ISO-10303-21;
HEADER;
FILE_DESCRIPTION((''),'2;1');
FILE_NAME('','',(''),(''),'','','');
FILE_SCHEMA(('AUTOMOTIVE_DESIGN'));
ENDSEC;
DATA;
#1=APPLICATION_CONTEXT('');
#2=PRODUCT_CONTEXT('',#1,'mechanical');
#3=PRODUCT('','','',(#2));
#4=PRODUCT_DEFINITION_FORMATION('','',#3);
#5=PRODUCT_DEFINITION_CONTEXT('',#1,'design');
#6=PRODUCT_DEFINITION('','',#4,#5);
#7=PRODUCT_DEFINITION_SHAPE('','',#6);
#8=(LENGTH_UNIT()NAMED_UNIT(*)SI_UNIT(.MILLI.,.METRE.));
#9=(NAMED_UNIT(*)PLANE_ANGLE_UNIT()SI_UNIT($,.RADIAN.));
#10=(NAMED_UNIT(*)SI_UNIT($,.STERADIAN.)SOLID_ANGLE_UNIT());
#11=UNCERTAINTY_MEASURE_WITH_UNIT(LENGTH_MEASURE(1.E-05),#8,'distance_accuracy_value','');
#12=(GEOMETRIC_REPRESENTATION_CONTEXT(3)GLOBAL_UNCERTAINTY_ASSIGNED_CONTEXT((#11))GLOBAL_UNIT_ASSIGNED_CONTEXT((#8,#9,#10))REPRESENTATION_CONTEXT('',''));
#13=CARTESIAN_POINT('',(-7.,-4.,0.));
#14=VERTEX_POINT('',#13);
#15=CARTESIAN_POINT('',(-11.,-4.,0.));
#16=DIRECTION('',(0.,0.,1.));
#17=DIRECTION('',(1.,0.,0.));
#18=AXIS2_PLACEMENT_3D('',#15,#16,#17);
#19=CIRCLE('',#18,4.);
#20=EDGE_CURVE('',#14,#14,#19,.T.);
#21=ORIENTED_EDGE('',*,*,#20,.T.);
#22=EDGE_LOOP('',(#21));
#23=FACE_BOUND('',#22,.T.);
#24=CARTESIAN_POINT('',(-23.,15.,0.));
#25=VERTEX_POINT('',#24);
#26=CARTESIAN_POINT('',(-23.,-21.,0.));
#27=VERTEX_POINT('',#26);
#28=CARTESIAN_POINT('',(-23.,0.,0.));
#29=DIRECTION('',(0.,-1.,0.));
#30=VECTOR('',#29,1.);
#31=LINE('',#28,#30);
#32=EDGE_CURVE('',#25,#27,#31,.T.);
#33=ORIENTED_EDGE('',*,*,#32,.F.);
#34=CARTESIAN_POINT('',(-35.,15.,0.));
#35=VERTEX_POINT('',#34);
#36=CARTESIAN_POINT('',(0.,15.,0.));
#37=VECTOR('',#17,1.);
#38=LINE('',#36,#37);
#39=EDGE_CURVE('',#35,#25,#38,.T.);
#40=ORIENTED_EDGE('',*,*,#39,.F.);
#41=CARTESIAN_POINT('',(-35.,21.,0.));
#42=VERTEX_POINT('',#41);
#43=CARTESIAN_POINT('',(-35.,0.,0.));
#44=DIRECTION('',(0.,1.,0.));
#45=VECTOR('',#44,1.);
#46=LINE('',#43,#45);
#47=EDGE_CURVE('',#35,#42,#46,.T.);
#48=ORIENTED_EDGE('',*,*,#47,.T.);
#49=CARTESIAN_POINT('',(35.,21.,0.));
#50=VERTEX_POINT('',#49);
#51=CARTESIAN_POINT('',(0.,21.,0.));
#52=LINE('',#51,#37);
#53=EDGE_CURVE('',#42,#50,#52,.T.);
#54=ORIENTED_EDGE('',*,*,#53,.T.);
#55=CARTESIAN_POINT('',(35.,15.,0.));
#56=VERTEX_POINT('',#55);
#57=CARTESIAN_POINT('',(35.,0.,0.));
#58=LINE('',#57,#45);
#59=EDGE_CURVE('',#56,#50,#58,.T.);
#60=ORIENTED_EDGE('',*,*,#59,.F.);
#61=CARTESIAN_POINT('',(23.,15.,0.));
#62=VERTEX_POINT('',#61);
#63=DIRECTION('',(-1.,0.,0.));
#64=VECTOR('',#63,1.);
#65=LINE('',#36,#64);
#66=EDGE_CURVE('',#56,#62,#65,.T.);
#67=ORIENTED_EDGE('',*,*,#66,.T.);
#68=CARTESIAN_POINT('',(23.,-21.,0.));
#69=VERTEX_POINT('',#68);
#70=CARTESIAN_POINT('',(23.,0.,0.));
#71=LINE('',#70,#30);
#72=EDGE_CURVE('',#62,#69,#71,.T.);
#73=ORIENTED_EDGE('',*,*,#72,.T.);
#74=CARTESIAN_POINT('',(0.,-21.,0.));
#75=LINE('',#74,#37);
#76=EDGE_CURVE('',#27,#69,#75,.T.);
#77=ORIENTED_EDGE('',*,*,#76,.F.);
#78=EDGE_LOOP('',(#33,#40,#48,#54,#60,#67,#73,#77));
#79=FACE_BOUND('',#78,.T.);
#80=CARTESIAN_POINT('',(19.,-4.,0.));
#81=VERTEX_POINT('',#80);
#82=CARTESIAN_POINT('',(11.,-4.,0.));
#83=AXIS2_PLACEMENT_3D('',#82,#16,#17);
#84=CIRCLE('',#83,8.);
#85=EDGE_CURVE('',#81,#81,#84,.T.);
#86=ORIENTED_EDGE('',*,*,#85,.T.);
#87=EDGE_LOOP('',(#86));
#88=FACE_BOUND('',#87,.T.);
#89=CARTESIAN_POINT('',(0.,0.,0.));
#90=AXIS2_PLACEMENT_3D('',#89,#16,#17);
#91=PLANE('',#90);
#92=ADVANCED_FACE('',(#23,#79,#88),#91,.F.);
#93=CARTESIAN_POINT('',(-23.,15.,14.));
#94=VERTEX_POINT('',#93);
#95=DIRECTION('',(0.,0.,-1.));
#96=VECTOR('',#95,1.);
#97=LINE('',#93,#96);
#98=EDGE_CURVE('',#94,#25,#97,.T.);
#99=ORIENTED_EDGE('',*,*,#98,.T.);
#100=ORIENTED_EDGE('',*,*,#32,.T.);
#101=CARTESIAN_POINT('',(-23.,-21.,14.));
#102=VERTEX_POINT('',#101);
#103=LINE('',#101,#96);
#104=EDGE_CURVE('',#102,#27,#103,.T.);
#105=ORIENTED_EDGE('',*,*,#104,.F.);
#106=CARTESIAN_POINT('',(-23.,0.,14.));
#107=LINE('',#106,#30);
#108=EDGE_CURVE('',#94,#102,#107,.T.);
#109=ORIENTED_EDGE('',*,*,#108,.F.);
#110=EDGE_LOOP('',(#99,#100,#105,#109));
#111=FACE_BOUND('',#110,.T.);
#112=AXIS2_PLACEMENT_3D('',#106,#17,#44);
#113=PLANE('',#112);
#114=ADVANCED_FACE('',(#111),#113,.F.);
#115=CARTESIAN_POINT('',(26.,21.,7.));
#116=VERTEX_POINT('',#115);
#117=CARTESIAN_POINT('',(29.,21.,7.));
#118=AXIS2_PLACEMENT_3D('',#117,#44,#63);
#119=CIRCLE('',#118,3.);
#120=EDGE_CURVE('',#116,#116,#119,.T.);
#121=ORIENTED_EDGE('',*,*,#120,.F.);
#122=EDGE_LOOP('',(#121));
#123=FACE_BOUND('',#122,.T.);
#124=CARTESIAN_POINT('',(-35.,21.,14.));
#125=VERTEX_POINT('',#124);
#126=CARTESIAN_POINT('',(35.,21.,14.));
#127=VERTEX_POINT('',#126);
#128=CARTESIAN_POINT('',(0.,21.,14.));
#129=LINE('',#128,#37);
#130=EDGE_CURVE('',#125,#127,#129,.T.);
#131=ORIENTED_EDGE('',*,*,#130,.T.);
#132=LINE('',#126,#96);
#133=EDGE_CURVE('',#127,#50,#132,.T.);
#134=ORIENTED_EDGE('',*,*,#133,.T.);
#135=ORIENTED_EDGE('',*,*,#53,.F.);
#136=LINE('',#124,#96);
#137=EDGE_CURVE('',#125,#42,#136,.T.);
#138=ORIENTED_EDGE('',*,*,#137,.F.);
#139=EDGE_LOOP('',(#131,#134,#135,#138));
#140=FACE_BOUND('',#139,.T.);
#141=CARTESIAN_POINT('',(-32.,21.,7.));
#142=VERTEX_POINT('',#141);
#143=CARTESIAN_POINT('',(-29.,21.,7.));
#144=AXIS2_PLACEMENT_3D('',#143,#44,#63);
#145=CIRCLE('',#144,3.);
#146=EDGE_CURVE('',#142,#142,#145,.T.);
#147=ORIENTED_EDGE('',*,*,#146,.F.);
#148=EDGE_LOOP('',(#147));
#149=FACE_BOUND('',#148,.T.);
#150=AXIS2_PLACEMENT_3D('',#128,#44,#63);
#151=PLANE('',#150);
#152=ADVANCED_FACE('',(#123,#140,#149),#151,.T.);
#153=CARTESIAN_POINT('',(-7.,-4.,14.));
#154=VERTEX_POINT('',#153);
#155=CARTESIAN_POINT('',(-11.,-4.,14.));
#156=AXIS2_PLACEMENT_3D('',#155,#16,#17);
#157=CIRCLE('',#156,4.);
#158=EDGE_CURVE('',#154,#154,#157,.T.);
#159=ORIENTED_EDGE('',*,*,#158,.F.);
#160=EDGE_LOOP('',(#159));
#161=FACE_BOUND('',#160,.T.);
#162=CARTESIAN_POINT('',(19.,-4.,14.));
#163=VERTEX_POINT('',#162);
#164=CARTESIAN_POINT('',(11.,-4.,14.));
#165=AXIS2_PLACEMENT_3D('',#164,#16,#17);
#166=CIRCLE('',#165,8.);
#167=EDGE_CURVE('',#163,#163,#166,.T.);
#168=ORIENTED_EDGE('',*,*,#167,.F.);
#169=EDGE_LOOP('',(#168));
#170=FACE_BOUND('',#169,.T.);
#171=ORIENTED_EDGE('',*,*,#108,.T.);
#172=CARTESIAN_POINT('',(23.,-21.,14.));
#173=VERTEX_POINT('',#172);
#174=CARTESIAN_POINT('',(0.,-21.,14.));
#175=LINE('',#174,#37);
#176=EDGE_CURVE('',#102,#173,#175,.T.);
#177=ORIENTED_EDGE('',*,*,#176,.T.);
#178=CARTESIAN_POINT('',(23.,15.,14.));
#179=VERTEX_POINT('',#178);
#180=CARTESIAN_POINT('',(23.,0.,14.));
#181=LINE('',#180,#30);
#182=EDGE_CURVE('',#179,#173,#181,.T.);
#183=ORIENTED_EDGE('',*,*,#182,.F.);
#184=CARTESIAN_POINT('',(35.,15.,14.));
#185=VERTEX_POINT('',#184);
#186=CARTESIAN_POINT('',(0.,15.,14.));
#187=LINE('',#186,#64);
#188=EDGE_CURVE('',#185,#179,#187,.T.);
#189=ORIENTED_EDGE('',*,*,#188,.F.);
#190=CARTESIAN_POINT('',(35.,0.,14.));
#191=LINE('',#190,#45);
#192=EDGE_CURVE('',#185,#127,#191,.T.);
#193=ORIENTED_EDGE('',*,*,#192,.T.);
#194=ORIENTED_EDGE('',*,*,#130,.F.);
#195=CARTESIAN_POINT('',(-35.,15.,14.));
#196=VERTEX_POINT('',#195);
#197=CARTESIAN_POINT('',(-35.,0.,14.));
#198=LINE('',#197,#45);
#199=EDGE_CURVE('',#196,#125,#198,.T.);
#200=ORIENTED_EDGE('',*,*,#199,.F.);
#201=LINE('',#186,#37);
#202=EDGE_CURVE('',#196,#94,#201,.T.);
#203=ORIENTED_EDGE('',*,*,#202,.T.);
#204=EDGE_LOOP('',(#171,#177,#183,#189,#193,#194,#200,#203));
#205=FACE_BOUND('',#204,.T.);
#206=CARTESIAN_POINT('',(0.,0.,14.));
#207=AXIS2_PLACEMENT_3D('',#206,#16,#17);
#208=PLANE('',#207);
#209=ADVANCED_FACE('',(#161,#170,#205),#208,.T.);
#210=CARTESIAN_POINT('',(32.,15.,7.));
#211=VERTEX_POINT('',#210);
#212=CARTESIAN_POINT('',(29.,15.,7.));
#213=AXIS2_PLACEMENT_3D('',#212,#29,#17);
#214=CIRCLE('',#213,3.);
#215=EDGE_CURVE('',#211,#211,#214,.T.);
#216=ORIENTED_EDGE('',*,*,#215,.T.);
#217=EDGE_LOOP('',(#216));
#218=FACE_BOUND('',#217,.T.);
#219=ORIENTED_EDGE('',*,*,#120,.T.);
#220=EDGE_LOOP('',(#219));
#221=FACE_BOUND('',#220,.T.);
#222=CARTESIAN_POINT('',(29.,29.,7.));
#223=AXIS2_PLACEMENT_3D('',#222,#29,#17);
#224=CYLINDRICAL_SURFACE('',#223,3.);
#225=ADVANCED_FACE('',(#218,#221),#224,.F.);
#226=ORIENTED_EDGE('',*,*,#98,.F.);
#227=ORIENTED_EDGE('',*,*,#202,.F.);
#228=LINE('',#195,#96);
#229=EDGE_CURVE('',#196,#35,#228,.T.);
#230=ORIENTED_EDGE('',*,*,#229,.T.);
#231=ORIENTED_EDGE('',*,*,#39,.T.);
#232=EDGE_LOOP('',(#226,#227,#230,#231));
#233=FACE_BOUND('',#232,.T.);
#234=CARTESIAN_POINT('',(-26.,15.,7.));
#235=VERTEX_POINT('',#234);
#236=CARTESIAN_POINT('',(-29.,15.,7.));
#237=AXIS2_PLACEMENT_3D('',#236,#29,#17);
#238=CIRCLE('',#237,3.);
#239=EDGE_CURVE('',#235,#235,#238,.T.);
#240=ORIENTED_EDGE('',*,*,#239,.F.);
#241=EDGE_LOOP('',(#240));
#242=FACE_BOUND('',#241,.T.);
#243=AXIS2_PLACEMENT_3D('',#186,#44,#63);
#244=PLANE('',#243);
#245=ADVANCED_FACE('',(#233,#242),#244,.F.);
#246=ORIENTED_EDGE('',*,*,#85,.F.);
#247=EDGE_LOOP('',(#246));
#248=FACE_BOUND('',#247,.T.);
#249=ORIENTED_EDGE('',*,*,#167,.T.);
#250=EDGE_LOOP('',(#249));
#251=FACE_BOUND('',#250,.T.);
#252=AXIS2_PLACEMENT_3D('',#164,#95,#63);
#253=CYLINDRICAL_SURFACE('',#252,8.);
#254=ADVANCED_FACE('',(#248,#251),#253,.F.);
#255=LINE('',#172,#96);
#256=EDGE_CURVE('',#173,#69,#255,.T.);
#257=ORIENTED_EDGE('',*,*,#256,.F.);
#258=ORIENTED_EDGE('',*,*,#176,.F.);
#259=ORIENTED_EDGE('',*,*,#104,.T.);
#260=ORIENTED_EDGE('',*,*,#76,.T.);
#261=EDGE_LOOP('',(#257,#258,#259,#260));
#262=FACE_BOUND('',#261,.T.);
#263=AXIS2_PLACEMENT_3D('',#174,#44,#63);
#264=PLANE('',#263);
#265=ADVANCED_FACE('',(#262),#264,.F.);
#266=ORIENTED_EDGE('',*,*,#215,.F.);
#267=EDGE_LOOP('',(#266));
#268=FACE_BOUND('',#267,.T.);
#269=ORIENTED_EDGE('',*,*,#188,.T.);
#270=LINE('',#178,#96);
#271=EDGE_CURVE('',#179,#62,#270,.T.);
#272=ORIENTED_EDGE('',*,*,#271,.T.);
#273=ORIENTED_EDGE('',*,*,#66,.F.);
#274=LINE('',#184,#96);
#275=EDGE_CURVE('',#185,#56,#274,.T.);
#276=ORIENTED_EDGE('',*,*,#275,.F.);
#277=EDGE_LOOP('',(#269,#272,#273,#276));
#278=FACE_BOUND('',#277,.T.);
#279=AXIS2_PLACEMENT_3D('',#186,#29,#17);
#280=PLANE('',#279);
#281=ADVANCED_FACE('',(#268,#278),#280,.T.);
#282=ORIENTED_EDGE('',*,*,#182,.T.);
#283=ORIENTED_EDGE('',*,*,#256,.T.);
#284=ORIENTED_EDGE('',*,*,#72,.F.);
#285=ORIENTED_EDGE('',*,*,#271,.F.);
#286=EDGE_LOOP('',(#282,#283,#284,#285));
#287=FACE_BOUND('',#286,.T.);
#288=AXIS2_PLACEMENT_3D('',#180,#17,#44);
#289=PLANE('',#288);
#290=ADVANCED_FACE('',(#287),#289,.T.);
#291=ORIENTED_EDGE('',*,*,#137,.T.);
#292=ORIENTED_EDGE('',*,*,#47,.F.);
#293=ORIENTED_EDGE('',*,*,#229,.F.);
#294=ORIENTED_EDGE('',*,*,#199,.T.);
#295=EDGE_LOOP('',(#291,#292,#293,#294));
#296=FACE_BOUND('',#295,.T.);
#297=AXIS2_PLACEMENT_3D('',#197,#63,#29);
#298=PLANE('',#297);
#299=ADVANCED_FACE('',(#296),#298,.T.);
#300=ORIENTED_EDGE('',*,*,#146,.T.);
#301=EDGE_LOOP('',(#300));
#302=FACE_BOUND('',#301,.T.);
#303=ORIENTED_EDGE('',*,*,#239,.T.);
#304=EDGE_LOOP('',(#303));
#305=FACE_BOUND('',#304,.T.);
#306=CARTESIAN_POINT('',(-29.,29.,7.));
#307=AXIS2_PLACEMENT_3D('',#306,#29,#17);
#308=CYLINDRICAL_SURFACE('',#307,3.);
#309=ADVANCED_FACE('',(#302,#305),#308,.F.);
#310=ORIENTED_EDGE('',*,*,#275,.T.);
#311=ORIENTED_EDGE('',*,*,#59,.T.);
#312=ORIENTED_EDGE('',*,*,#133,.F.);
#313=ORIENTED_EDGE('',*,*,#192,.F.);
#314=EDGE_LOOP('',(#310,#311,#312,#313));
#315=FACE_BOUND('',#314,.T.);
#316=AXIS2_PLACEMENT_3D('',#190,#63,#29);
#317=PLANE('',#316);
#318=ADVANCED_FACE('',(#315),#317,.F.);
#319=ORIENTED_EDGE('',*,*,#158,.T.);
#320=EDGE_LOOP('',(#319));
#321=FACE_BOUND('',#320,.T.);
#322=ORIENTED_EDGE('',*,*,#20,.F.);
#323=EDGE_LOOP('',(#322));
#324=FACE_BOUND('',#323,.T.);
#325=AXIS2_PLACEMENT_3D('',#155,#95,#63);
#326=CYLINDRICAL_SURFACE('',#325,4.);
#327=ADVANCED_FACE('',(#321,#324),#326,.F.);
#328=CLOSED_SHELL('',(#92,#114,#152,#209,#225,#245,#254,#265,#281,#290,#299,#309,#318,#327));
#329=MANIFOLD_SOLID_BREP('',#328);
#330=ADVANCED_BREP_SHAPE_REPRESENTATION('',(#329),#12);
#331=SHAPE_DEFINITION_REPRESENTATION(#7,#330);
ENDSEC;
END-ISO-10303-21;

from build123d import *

# Parameters (mm, degrees)
SKETCH_1_R          = 4
SKETCH_1_R_2        = 8
EXTRUDE_1_DEPTH     = 14
SKETCH_2_R          = 3
CUT_EXTRUDE_1_DEPTH = 14


with BuildPart() as part:
    # 草图1 → 凸台-拉伸1 (new body)
    with BuildSketch(Plane.XY):
        Polygon((-35, 21), (-35, 15), (-23, 15), (-23, -21), (23, -21), (23, 15), (35, 15), (35, 21), align=None)
        with Locations((-11, -4)):
            Circle(SKETCH_1_R, mode=Mode.SUBTRACT)
        with Locations((11, -4)):
            Circle(SKETCH_1_R_2, mode=Mode.SUBTRACT)
    extrude(amount=EXTRUDE_1_DEPTH)

    # 草图2 → 切除-拉伸1 (cut)
    with BuildSketch(Plane.XZ.offset(-15)):
        with Locations((-29, 7)):
            Circle(SKETCH_2_R)
        with Locations((29, 7)):
            Circle(SKETCH_2_R)
    extrude(amount=-CUT_EXTRUDE_1_DEPTH, mode=Mode.SUBTRACT)


solid = part.part
